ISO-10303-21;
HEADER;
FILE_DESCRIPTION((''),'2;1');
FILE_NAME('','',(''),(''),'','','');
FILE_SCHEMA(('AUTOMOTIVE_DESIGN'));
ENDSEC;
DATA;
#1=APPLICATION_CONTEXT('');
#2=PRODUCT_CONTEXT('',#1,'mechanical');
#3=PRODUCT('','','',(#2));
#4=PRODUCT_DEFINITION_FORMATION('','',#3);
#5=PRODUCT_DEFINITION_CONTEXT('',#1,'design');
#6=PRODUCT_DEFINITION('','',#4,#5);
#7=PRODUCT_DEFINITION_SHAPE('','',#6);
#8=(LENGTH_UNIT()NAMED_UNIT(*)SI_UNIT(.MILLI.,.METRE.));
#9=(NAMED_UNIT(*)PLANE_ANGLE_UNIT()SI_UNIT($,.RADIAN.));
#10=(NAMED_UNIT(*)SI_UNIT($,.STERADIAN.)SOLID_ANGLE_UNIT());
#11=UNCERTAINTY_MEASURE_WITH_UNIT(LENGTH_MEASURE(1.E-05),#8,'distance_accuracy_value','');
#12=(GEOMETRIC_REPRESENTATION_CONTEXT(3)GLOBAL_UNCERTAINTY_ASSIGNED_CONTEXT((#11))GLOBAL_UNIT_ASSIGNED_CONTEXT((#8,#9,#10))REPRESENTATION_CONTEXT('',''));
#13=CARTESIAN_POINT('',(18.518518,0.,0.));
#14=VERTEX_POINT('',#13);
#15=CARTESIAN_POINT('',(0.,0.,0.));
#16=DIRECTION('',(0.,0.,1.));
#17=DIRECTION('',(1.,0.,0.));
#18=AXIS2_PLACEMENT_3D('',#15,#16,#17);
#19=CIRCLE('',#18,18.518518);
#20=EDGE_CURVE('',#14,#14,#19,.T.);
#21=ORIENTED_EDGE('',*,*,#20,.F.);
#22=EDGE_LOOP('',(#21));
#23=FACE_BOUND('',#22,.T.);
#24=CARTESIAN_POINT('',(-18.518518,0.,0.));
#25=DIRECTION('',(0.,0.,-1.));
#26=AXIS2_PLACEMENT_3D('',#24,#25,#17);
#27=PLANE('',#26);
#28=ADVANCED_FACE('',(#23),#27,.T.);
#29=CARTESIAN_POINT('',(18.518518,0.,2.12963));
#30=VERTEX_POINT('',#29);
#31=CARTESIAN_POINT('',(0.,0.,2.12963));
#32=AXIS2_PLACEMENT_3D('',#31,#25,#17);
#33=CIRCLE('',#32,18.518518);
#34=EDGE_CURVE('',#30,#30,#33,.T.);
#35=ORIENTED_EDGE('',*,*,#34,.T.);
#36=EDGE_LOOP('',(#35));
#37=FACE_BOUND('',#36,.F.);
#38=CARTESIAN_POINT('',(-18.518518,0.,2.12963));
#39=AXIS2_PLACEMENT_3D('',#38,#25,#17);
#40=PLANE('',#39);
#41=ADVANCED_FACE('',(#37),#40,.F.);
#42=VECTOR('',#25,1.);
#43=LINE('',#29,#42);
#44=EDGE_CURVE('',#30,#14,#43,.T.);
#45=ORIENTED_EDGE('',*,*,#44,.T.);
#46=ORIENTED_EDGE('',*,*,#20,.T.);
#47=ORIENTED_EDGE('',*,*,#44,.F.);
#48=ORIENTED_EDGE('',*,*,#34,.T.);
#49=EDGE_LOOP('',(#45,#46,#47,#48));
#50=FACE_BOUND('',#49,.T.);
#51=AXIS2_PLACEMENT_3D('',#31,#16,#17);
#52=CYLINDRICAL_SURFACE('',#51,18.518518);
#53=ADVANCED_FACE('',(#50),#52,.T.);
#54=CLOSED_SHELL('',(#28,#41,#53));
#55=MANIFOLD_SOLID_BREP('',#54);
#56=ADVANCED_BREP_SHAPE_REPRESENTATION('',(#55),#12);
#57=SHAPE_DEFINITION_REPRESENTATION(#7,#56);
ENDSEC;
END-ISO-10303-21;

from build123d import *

# Parameters (mm, degrees)
F0_W     = 40
F0_H     = 2.12963
F1_DEPTH = 20
F2_R     = 18.518518
F3_DEPTH = 25.4


with BuildPart() as f1:
    # F0 (on Front) → F1 (new body, symmetric)
    with BuildSketch(Plane.XZ):
        with Locations((1.481482, 1.064815)):
            Rectangle(F0_W, F0_H)
    extrude(amount=F1_DEPTH, both=True)

    # F2 (on face) → F3 (intersect)
    with BuildSketch(Plane.XY.offset(2.12963)):
        Circle(F2_R)
    extrude(amount=-F3_DEPTH, mode=Mode.INTERSECT)


solid = f1.part
